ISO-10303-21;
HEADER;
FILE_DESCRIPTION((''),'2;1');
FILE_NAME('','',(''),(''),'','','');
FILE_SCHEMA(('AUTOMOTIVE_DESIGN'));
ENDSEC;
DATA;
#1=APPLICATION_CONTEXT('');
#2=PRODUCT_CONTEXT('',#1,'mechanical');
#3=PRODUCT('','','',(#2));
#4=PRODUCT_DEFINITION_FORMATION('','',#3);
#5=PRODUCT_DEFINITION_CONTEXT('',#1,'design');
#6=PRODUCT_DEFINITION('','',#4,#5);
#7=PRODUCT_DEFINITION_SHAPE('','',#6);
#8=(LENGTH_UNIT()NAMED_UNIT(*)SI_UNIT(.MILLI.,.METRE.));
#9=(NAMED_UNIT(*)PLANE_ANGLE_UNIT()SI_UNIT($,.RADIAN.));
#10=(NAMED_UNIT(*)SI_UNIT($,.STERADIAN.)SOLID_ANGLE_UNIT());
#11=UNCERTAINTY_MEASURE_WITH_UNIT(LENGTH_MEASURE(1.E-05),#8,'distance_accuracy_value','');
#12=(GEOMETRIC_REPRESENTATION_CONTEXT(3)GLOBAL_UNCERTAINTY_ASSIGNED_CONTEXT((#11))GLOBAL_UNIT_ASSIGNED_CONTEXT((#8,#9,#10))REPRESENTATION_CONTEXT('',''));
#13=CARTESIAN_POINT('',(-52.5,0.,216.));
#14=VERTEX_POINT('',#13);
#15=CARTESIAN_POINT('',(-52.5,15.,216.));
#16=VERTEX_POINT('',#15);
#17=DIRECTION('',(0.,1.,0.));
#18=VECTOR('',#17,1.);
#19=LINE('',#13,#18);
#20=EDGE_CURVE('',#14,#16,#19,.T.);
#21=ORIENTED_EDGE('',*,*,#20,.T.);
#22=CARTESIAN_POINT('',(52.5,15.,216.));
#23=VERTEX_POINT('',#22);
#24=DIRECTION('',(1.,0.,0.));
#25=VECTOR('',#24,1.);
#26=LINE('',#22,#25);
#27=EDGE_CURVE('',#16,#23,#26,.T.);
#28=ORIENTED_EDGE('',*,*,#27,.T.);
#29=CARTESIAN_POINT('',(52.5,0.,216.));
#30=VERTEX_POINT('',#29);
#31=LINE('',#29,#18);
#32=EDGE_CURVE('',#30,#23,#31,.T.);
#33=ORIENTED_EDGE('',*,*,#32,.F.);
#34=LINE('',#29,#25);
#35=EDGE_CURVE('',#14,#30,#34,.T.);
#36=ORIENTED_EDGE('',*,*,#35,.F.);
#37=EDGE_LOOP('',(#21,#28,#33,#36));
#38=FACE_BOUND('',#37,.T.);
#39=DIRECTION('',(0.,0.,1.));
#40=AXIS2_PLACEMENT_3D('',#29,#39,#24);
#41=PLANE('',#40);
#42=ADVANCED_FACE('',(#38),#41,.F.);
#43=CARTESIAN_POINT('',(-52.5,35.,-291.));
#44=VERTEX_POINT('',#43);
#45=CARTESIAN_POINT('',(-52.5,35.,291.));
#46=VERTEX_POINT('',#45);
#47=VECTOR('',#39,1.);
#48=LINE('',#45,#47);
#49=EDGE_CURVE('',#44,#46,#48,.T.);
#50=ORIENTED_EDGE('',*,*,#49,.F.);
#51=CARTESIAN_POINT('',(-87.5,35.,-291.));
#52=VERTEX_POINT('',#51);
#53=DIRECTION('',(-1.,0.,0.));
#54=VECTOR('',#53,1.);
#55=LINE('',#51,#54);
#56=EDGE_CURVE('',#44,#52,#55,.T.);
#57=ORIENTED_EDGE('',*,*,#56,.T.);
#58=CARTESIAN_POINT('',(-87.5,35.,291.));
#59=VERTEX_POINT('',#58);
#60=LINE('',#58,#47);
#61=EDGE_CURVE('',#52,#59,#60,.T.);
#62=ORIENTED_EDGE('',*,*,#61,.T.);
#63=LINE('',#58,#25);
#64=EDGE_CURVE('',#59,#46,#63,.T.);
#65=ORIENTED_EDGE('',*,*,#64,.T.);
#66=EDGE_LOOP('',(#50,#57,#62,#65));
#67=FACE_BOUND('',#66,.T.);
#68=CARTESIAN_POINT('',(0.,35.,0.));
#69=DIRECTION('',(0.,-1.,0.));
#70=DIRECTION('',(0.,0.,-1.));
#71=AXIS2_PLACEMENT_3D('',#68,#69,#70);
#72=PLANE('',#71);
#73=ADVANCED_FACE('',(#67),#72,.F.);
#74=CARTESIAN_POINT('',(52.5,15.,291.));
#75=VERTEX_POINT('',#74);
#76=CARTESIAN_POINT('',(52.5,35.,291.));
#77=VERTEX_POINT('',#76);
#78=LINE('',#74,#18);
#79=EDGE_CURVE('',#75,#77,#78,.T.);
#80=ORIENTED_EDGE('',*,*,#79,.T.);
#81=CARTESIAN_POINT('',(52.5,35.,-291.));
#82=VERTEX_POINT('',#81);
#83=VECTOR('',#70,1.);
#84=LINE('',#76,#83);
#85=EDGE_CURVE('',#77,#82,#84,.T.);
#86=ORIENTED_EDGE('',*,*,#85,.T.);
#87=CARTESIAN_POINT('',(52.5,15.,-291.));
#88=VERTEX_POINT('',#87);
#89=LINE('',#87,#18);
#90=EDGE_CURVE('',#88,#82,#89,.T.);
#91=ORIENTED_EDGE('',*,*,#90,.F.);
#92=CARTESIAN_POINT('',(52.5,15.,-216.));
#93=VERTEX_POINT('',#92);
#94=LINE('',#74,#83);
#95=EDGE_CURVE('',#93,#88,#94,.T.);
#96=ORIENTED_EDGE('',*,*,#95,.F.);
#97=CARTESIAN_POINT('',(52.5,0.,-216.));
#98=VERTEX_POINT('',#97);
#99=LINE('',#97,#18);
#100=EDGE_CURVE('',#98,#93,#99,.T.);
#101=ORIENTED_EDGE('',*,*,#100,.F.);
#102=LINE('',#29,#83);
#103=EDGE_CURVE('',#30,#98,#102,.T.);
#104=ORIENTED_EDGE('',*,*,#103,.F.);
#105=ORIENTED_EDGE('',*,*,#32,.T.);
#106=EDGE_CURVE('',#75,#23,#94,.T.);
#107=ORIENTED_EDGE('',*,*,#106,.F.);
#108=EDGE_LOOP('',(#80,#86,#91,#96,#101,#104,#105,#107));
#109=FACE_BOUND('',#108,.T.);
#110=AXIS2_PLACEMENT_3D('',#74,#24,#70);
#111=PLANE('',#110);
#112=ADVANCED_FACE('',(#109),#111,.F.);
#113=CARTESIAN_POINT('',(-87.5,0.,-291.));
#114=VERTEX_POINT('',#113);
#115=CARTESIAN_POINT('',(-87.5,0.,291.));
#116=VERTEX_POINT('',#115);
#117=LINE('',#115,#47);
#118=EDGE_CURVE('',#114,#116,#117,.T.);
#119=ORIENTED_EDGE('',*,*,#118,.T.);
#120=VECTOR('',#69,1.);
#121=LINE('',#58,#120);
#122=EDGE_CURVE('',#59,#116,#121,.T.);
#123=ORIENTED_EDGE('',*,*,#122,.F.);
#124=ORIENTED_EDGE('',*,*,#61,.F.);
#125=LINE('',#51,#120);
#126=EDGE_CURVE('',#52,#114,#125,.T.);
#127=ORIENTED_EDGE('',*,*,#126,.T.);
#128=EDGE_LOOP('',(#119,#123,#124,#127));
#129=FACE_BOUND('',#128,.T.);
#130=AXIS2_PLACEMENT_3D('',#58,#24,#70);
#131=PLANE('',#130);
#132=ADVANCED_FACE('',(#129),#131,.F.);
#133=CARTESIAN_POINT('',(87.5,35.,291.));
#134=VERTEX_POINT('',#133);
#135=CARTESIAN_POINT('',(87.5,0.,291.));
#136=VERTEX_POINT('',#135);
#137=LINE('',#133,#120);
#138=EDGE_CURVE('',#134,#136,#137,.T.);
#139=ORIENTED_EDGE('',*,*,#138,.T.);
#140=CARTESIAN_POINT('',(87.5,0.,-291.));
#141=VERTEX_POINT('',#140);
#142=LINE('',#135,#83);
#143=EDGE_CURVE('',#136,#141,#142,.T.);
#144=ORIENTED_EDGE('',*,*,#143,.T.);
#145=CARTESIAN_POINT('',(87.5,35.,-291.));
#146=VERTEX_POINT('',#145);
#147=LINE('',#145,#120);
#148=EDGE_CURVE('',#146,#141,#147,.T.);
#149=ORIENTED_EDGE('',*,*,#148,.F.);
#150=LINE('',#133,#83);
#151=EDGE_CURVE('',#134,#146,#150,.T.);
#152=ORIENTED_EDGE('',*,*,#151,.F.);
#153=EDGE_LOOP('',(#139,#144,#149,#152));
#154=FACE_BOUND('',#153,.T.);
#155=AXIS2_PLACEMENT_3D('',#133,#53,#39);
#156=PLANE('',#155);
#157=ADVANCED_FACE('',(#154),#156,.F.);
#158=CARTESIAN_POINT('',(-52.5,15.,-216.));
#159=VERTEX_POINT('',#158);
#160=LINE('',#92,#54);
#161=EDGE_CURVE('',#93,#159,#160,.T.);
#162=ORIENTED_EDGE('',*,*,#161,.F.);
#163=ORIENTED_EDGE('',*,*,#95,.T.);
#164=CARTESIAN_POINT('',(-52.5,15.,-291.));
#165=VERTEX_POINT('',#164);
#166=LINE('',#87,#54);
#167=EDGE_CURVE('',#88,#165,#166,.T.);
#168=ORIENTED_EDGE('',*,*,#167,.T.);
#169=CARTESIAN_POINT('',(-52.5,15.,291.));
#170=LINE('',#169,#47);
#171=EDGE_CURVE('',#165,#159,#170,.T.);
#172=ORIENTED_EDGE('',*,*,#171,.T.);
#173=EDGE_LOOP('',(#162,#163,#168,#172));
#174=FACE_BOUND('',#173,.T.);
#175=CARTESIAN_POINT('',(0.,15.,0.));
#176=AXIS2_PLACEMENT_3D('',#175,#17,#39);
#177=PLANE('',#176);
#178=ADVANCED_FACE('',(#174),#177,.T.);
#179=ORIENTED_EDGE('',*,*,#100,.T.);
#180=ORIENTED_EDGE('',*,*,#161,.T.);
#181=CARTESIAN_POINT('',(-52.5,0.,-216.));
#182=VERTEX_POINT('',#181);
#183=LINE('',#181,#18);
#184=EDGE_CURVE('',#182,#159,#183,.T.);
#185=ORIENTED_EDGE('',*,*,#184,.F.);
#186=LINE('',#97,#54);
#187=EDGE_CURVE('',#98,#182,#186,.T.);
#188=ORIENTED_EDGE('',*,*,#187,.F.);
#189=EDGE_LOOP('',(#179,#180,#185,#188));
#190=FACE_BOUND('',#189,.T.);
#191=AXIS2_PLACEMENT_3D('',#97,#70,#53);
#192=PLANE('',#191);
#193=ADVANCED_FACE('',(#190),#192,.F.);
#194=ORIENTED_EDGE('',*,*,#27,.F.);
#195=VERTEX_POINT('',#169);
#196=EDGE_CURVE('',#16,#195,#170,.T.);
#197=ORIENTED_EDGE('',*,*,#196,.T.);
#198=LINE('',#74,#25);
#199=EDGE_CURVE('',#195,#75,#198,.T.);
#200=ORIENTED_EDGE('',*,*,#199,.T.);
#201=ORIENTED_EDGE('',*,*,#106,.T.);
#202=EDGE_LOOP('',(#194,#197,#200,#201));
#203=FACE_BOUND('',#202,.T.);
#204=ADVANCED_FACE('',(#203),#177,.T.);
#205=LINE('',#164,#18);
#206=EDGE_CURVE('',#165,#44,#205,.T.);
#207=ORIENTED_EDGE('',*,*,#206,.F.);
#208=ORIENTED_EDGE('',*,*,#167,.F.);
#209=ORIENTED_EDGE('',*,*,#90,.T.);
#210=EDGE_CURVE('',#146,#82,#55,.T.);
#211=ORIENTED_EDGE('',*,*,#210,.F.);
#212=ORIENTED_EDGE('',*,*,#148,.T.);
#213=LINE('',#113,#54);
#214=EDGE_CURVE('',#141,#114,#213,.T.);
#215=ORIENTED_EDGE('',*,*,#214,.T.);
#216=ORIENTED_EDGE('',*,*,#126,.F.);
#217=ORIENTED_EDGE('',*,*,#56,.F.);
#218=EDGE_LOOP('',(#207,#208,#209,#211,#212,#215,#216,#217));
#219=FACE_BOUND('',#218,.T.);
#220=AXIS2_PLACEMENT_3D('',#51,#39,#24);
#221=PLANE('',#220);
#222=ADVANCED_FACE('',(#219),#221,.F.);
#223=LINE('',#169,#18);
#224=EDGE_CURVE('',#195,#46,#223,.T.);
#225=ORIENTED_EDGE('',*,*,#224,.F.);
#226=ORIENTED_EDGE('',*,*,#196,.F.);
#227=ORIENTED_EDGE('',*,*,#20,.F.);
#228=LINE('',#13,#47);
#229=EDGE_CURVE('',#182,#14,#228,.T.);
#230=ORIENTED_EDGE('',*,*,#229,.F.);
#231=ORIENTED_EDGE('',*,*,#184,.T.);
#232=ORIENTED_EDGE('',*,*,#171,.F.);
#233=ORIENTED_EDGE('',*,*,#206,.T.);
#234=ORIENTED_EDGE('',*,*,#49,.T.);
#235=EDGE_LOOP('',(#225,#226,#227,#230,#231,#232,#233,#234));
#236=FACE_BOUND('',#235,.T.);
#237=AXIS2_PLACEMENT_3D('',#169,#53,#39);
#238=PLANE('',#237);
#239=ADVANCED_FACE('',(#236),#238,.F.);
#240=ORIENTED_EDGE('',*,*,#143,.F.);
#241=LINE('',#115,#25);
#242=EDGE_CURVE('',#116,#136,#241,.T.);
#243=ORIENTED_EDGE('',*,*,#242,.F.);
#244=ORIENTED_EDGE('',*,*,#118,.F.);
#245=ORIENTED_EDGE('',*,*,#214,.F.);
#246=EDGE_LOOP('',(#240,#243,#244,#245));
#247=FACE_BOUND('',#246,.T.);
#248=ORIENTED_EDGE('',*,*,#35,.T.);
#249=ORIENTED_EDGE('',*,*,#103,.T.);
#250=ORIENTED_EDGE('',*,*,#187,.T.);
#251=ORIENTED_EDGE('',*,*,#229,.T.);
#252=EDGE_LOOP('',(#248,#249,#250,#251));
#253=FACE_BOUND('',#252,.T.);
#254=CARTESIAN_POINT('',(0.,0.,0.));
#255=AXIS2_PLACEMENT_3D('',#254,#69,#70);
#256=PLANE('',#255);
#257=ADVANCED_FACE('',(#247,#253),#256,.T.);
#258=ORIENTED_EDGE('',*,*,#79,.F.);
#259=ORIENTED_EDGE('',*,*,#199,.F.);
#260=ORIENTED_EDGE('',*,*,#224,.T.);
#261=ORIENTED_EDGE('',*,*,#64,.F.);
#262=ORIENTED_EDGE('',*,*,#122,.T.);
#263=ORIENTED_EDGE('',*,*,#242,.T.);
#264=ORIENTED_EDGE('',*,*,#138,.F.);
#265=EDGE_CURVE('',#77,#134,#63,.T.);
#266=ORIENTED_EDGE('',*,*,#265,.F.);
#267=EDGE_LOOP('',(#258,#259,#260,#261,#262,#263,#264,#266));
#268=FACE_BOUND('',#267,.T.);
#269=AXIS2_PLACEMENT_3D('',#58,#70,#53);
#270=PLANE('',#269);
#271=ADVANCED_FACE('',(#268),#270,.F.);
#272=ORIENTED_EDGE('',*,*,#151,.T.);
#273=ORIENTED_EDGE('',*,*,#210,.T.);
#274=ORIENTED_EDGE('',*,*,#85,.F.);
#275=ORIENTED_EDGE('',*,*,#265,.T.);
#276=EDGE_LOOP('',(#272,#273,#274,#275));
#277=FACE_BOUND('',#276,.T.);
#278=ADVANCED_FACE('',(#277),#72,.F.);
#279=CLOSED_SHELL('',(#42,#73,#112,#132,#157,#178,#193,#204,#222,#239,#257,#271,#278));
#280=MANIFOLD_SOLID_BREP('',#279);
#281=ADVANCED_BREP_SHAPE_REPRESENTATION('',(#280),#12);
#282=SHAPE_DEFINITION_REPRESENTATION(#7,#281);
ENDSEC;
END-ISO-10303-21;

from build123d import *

# Parameters (mm, degrees)
CROQUIS1_W              = 175
CROQUIS1_H              = 582
SALIENTE_EXTRUIR1_DEPTH = 35
CROQUIS2_W              = 105
CROQUIS2_H              = 582
CORTAR_EXTRUIR1_DEPTH   = 20
CROQUIS3_W              = 105
CROQUIS3_H              = 432
CORTAR_EXTRUIR2_DEPTH   = 305.527913335


with BuildPart() as part:
    # Croquis1 → Saliente-Extruir1 (new body)
    with BuildSketch(Plane(origin=(0, 0, 0), x_dir=(1, 0, 0), z_dir=(0, 1, 0))):
        Rectangle(CROQUIS1_W, CROQUIS1_H)
    extrude(amount=SALIENTE_EXTRUIR1_DEPTH)

    # Croquis2 → Cortar-Extruir1 (cut)
    with BuildSketch(Plane(origin=(0, 35, 0), x_dir=(1, 0, 0), z_dir=(0, 1, 0))):
        Rectangle(CROQUIS2_W, CROQUIS2_H)
    extrude(amount=-CORTAR_EXTRUIR1_DEPTH, mode=Mode.SUBTRACT)

    # Croquis3 → Cortar-Extruir2 (cut, through all)
    with BuildSketch(Plane(origin=(0, 15, 0), x_dir=(1, 0, 0), z_dir=(0, 1, 0))):
        Rectangle(CROQUIS3_W, CROQUIS3_H)
    extrude(amount=-CORTAR_EXTRUIR2_DEPTH, mode=Mode.SUBTRACT)


solid = part.part
